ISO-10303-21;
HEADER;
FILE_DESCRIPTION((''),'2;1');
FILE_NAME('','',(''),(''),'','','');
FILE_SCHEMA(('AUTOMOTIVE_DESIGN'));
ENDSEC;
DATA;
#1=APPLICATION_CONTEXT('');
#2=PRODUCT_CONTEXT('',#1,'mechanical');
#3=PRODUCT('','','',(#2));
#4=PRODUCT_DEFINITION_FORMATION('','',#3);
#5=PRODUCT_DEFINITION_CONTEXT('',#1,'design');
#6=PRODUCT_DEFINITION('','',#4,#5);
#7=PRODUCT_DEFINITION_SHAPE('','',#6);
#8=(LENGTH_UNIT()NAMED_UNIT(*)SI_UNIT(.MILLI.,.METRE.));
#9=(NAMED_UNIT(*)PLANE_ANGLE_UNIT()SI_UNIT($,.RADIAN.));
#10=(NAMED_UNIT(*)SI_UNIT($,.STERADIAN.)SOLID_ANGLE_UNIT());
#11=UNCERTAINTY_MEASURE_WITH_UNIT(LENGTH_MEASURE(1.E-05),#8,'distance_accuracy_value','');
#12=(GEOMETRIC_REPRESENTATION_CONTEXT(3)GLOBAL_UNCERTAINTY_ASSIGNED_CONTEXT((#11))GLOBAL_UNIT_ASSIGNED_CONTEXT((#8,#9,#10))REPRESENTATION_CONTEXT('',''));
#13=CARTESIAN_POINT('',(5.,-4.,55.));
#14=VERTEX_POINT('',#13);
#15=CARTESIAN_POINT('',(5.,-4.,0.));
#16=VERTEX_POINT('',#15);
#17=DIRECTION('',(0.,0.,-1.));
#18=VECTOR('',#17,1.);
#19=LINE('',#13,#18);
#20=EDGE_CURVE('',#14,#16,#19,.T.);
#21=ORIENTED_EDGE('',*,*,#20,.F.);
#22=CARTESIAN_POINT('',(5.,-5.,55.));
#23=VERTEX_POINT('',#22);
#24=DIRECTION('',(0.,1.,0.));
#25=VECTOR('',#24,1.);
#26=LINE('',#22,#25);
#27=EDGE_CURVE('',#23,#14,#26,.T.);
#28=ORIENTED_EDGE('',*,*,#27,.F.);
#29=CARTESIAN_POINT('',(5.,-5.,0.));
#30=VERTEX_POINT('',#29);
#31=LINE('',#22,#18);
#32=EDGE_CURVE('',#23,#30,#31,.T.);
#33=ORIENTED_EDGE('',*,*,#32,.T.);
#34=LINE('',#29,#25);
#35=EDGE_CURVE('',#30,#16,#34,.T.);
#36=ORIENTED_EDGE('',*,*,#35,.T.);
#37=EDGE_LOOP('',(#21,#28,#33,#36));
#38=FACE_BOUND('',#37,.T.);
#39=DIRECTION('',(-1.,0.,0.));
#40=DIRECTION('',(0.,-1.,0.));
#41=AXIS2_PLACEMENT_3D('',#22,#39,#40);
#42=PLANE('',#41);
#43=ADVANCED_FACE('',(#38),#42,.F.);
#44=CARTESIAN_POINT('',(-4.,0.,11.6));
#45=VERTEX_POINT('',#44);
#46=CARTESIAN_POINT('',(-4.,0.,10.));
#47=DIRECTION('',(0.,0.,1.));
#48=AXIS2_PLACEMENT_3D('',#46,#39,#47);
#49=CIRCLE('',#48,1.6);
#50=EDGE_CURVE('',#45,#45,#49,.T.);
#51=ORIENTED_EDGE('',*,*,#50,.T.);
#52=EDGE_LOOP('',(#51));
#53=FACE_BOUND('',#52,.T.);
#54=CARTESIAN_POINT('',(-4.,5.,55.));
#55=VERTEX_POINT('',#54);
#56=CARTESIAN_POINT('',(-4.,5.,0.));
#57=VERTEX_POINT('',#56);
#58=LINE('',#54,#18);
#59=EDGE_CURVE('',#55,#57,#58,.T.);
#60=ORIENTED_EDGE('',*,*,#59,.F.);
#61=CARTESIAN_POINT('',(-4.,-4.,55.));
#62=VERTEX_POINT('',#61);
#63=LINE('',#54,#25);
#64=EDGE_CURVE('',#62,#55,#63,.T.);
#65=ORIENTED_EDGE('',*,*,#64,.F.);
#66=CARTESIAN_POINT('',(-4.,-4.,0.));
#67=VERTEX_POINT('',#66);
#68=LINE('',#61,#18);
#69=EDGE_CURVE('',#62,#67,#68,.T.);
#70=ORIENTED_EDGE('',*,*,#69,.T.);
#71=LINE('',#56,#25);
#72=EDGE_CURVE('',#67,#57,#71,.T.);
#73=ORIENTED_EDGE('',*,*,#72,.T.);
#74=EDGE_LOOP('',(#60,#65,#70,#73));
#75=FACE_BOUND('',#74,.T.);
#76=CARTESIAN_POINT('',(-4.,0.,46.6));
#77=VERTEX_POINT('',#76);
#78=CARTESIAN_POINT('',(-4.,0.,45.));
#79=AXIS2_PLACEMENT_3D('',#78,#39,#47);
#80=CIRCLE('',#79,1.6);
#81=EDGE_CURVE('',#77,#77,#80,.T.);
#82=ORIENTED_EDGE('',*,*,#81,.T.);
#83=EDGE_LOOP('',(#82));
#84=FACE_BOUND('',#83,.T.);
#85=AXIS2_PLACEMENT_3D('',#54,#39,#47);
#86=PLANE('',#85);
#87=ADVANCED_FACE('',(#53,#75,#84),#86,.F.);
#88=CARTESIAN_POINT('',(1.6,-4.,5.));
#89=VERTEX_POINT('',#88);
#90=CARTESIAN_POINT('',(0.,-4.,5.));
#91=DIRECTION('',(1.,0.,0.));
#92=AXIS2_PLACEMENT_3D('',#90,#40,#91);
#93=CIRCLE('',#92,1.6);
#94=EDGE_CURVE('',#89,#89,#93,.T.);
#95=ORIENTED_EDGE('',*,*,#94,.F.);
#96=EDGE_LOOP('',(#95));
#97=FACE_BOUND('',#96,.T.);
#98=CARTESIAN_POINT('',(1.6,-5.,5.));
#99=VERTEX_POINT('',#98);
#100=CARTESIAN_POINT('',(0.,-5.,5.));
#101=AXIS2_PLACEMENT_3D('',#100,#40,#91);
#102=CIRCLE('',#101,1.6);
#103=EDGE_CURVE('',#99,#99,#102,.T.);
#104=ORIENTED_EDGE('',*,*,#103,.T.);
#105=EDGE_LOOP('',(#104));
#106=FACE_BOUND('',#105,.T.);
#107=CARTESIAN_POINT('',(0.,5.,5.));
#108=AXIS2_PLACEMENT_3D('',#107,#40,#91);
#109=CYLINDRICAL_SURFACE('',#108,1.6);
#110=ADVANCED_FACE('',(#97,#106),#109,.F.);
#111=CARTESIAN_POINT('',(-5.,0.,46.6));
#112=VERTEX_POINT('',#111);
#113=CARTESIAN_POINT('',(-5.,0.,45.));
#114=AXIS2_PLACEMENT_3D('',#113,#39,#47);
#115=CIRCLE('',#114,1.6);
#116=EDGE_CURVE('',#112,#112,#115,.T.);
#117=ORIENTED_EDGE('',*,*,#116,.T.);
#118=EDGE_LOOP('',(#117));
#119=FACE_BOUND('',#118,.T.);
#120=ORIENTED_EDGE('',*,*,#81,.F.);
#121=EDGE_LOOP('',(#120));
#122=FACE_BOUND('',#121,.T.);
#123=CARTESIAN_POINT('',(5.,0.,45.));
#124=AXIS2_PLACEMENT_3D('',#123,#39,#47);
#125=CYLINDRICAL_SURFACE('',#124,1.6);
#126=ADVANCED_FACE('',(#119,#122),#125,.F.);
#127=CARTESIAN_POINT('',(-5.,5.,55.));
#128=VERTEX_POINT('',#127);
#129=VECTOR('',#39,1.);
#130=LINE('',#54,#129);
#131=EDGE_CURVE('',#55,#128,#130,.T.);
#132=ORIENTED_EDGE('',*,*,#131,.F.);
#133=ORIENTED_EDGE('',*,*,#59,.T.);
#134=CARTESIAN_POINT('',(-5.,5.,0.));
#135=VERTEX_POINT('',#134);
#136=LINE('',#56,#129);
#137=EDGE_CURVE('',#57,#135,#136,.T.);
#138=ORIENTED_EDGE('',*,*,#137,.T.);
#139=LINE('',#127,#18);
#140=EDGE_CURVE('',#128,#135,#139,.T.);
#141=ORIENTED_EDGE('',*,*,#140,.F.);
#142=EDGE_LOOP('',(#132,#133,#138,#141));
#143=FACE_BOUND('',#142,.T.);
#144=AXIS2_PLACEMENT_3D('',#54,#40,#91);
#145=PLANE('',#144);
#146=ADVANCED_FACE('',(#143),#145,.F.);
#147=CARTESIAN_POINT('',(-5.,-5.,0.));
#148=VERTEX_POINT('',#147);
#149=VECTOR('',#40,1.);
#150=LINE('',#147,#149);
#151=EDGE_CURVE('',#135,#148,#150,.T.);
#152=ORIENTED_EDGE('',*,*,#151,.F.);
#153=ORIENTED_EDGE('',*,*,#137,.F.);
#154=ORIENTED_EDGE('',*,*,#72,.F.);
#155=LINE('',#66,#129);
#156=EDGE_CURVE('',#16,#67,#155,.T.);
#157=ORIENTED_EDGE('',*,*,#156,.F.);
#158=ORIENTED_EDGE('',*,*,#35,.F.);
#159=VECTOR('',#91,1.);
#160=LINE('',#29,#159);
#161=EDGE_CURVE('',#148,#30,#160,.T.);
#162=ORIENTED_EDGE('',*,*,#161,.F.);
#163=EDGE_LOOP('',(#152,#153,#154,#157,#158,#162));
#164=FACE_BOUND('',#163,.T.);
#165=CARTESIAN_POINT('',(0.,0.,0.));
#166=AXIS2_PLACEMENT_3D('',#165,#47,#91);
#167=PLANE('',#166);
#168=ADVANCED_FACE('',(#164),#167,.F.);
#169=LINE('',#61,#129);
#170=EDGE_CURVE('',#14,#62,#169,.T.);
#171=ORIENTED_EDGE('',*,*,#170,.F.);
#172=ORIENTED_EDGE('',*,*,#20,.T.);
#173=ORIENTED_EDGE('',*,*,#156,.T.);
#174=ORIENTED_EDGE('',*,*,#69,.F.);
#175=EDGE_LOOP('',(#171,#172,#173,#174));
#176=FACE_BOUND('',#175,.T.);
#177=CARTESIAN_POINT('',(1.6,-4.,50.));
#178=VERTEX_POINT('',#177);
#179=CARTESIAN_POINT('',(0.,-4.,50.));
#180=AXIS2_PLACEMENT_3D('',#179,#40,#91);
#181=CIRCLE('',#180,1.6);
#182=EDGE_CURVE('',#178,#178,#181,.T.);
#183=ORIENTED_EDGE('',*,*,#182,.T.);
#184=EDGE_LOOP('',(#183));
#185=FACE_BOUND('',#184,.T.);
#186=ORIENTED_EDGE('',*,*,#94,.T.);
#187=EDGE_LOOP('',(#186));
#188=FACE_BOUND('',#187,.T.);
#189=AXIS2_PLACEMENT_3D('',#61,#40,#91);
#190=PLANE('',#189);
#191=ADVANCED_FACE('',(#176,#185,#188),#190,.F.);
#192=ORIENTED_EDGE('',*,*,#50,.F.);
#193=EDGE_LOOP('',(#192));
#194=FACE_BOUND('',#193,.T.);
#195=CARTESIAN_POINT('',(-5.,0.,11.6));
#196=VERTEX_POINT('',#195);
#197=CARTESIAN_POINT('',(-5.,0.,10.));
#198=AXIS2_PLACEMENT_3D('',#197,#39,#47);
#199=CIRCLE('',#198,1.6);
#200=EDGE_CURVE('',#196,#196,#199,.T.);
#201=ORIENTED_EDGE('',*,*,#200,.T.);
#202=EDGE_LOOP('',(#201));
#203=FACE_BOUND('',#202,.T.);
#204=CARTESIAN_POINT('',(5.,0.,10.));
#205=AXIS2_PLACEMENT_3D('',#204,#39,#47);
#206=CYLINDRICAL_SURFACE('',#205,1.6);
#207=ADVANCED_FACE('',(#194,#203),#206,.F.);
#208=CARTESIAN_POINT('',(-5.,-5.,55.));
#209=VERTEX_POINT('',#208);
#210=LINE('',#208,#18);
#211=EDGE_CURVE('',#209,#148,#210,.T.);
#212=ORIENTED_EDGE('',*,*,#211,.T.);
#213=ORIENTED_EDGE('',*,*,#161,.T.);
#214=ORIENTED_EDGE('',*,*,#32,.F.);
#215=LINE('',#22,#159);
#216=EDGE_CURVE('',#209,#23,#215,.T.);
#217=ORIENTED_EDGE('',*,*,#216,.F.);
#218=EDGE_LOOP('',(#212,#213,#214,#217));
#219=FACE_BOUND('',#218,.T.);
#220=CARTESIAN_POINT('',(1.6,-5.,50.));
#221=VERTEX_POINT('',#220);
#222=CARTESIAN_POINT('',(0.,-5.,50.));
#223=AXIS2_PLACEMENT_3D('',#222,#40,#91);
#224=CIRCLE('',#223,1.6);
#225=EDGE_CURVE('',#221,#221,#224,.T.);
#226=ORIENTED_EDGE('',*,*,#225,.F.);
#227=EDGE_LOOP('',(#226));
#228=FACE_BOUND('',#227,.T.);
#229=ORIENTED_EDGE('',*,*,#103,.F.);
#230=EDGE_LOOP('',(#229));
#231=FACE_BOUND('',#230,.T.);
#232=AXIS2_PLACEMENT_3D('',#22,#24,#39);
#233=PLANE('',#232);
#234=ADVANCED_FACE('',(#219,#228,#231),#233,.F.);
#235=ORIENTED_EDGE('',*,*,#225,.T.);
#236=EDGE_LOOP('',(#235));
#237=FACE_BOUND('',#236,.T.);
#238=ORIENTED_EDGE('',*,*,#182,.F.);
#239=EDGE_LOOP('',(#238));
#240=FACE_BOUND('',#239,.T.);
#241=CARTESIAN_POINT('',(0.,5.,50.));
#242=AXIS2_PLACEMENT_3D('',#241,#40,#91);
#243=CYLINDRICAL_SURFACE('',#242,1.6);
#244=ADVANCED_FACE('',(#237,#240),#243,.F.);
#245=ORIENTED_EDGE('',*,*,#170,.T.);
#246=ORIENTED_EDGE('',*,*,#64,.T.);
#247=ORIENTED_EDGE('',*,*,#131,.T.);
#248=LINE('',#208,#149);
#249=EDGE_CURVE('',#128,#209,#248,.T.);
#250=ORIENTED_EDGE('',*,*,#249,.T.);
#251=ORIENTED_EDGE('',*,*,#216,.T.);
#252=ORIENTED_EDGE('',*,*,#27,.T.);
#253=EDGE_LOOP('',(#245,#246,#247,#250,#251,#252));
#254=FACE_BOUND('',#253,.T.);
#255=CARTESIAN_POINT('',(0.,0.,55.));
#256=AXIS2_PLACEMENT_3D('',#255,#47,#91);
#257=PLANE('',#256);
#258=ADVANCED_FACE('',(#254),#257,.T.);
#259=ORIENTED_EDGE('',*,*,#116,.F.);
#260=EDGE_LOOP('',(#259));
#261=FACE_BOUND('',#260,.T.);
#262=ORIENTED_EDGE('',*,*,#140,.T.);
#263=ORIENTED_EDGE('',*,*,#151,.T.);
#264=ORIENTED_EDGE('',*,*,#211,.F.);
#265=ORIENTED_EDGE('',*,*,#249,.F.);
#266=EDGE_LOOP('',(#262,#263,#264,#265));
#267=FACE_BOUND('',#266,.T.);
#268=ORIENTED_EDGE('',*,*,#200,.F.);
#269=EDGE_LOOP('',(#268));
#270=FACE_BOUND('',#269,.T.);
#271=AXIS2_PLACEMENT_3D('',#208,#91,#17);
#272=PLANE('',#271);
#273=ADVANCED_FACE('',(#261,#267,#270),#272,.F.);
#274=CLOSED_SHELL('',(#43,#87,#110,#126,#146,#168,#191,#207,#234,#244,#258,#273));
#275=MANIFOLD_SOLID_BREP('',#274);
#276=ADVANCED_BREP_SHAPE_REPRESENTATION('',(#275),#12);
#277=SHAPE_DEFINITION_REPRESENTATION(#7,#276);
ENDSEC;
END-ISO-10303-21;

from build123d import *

# Parameters (mm, degrees)
EXTRUDE_1_DEPTH     = 55
SKETCH_2_R          = 1.6
CUT_EXTRUDE_1_DEPTH = 57.124860802
SKETCH_3_R          = 1.6
CUT_EXTRUDE_2_DEPTH = 57.124860802


with BuildPart() as part:
    # ｽｹｯﾁ1 → ﾎﾞｽ - 押し出し1 (new body)
    with BuildSketch(Plane.XY):
        Polygon((-4, 5), (-4, -4), (5, -4), (5, -5), (-5, -5), (-5, 5), align=None)
    extrude(amount=EXTRUDE_1_DEPTH)

    # ｽｹｯﾁ2 → ｶｯﾄ - 押し出し1 (cut, through all)
    with BuildSketch(Plane.XZ.offset(5)):
        with Locations((0, 5)):
            Circle(SKETCH_2_R)
        with Locations((0, 50)):
            Circle(SKETCH_2_R)
    extrude(amount=-CUT_EXTRUDE_1_DEPTH, mode=Mode.SUBTRACT)

    # ｽｹｯﾁ3 → ｶｯﾄ - 押し出し2 (cut, through all)
    with BuildSketch(Plane.ZY.offset(5)):
        with Locations((10, 0)):
            Circle(SKETCH_3_R)
        with Locations((45, 0)):
            Circle(SKETCH_3_R)
    extrude(amount=-CUT_EXTRUDE_2_DEPTH, mode=Mode.SUBTRACT)


solid = part.part
